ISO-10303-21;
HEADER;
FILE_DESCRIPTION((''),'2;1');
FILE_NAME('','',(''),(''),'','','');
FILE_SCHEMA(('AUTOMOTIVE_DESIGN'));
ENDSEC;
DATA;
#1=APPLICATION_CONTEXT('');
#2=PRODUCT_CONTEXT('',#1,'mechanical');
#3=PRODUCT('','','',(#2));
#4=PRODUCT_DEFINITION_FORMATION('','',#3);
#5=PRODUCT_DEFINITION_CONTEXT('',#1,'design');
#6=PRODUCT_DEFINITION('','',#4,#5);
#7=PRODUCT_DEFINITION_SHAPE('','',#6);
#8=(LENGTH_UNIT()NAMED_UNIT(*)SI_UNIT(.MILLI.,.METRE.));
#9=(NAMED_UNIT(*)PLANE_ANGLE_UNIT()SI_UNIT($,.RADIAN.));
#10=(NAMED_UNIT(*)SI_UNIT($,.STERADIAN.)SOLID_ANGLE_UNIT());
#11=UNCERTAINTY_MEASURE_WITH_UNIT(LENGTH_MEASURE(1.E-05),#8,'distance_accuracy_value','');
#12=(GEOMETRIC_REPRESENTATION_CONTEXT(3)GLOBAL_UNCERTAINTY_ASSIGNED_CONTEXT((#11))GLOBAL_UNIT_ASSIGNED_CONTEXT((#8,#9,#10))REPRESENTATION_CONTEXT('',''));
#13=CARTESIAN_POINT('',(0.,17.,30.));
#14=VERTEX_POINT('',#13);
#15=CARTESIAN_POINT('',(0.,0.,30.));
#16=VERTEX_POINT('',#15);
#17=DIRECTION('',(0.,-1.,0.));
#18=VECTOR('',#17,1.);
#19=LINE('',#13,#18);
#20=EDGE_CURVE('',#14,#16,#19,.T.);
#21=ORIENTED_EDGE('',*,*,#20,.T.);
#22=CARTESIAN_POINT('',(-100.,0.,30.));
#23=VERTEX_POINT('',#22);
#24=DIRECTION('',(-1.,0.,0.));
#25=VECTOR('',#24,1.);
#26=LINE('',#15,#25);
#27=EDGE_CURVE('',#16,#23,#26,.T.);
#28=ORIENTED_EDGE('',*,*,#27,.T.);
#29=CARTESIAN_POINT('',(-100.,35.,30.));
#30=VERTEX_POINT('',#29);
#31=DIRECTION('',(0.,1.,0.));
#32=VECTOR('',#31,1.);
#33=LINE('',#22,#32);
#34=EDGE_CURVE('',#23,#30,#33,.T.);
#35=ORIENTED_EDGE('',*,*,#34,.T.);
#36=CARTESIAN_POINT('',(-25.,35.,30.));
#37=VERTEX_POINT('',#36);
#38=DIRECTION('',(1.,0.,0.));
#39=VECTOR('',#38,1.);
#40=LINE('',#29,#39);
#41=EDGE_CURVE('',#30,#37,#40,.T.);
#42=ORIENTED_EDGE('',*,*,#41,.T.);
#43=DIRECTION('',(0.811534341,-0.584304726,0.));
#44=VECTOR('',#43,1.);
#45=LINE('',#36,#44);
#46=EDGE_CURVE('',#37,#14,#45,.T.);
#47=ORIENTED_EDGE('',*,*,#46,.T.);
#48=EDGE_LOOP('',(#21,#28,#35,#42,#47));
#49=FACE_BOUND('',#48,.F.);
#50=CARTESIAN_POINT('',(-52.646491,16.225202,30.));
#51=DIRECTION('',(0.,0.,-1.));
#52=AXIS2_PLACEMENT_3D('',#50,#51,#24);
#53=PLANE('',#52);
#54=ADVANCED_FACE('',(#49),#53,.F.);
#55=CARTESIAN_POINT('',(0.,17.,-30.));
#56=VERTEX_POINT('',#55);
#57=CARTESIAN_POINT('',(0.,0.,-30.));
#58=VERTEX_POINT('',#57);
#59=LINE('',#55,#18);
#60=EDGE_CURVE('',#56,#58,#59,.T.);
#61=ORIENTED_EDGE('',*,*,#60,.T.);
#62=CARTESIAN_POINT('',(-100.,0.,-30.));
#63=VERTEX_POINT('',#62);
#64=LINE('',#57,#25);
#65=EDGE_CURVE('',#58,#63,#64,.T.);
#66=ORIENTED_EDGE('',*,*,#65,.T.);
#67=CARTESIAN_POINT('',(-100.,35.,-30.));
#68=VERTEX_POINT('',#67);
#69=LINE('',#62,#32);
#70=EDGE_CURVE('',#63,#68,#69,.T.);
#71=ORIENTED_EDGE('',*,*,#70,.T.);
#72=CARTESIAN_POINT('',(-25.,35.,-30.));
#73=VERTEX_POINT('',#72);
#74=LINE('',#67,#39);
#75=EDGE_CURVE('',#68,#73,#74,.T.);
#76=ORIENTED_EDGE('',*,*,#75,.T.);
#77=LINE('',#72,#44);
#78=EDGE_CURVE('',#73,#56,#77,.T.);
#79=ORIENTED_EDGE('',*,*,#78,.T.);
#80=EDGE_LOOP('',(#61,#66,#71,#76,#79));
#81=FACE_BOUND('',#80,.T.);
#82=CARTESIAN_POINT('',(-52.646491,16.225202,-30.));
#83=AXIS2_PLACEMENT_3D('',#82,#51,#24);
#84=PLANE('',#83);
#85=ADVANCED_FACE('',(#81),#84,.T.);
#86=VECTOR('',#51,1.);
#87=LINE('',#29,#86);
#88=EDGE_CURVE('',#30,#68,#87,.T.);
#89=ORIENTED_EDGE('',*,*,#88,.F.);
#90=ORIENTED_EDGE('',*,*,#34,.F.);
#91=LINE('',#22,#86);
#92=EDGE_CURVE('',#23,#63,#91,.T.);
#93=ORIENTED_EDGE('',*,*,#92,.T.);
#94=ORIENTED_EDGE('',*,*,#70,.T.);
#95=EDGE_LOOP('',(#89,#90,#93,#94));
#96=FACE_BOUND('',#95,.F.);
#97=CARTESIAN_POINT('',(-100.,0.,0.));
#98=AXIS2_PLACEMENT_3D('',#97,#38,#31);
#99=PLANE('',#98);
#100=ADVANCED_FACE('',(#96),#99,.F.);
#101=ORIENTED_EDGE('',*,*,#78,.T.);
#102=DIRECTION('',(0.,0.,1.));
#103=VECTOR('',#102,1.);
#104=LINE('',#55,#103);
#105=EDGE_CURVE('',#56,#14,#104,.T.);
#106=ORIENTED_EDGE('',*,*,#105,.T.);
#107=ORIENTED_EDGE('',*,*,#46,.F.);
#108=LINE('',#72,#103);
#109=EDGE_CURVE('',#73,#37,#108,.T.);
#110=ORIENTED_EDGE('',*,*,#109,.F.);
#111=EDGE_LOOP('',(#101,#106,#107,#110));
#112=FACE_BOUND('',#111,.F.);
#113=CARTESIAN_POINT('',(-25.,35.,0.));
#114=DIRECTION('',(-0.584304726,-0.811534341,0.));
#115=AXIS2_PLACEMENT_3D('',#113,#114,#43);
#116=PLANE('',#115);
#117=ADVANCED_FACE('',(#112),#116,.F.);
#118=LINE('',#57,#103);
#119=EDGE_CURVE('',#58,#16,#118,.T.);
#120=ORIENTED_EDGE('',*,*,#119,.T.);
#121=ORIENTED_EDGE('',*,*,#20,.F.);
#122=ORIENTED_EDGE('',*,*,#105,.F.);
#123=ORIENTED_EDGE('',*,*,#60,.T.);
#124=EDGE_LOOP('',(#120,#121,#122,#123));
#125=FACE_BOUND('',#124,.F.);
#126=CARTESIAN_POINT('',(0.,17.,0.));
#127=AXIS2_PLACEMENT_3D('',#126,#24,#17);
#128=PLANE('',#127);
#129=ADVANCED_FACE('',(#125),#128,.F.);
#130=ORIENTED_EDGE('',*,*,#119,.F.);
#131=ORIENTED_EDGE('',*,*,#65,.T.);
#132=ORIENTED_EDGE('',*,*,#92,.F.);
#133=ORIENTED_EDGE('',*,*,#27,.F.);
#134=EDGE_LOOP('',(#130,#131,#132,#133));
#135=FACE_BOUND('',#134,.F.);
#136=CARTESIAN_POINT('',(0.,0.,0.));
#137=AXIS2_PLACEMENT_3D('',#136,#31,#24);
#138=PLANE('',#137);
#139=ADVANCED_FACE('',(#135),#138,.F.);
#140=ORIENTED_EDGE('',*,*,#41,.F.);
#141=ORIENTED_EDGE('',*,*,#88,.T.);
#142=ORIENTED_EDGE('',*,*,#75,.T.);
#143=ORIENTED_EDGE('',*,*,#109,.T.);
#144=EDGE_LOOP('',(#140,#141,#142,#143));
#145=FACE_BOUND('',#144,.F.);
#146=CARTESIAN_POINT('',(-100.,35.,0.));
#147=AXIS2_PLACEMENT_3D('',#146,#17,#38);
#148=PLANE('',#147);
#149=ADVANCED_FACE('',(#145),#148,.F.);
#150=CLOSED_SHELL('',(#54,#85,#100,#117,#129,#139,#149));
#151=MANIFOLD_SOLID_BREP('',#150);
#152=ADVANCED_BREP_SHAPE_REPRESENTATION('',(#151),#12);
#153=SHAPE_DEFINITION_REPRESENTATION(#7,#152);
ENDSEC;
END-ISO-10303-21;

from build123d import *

# Parameters (mm, degrees)
PAD_DEPTH = 30


with BuildPart() as part:
    # Sketch → Pad (new body, symmetric)
    with BuildSketch(Plane.XY):
        Polygon((0, 0), (-100, 0), (-100, 35), (-25, 35), (0, 17), align=None)
    extrude(amount=PAD_DEPTH, both=True)


solid = part.part
